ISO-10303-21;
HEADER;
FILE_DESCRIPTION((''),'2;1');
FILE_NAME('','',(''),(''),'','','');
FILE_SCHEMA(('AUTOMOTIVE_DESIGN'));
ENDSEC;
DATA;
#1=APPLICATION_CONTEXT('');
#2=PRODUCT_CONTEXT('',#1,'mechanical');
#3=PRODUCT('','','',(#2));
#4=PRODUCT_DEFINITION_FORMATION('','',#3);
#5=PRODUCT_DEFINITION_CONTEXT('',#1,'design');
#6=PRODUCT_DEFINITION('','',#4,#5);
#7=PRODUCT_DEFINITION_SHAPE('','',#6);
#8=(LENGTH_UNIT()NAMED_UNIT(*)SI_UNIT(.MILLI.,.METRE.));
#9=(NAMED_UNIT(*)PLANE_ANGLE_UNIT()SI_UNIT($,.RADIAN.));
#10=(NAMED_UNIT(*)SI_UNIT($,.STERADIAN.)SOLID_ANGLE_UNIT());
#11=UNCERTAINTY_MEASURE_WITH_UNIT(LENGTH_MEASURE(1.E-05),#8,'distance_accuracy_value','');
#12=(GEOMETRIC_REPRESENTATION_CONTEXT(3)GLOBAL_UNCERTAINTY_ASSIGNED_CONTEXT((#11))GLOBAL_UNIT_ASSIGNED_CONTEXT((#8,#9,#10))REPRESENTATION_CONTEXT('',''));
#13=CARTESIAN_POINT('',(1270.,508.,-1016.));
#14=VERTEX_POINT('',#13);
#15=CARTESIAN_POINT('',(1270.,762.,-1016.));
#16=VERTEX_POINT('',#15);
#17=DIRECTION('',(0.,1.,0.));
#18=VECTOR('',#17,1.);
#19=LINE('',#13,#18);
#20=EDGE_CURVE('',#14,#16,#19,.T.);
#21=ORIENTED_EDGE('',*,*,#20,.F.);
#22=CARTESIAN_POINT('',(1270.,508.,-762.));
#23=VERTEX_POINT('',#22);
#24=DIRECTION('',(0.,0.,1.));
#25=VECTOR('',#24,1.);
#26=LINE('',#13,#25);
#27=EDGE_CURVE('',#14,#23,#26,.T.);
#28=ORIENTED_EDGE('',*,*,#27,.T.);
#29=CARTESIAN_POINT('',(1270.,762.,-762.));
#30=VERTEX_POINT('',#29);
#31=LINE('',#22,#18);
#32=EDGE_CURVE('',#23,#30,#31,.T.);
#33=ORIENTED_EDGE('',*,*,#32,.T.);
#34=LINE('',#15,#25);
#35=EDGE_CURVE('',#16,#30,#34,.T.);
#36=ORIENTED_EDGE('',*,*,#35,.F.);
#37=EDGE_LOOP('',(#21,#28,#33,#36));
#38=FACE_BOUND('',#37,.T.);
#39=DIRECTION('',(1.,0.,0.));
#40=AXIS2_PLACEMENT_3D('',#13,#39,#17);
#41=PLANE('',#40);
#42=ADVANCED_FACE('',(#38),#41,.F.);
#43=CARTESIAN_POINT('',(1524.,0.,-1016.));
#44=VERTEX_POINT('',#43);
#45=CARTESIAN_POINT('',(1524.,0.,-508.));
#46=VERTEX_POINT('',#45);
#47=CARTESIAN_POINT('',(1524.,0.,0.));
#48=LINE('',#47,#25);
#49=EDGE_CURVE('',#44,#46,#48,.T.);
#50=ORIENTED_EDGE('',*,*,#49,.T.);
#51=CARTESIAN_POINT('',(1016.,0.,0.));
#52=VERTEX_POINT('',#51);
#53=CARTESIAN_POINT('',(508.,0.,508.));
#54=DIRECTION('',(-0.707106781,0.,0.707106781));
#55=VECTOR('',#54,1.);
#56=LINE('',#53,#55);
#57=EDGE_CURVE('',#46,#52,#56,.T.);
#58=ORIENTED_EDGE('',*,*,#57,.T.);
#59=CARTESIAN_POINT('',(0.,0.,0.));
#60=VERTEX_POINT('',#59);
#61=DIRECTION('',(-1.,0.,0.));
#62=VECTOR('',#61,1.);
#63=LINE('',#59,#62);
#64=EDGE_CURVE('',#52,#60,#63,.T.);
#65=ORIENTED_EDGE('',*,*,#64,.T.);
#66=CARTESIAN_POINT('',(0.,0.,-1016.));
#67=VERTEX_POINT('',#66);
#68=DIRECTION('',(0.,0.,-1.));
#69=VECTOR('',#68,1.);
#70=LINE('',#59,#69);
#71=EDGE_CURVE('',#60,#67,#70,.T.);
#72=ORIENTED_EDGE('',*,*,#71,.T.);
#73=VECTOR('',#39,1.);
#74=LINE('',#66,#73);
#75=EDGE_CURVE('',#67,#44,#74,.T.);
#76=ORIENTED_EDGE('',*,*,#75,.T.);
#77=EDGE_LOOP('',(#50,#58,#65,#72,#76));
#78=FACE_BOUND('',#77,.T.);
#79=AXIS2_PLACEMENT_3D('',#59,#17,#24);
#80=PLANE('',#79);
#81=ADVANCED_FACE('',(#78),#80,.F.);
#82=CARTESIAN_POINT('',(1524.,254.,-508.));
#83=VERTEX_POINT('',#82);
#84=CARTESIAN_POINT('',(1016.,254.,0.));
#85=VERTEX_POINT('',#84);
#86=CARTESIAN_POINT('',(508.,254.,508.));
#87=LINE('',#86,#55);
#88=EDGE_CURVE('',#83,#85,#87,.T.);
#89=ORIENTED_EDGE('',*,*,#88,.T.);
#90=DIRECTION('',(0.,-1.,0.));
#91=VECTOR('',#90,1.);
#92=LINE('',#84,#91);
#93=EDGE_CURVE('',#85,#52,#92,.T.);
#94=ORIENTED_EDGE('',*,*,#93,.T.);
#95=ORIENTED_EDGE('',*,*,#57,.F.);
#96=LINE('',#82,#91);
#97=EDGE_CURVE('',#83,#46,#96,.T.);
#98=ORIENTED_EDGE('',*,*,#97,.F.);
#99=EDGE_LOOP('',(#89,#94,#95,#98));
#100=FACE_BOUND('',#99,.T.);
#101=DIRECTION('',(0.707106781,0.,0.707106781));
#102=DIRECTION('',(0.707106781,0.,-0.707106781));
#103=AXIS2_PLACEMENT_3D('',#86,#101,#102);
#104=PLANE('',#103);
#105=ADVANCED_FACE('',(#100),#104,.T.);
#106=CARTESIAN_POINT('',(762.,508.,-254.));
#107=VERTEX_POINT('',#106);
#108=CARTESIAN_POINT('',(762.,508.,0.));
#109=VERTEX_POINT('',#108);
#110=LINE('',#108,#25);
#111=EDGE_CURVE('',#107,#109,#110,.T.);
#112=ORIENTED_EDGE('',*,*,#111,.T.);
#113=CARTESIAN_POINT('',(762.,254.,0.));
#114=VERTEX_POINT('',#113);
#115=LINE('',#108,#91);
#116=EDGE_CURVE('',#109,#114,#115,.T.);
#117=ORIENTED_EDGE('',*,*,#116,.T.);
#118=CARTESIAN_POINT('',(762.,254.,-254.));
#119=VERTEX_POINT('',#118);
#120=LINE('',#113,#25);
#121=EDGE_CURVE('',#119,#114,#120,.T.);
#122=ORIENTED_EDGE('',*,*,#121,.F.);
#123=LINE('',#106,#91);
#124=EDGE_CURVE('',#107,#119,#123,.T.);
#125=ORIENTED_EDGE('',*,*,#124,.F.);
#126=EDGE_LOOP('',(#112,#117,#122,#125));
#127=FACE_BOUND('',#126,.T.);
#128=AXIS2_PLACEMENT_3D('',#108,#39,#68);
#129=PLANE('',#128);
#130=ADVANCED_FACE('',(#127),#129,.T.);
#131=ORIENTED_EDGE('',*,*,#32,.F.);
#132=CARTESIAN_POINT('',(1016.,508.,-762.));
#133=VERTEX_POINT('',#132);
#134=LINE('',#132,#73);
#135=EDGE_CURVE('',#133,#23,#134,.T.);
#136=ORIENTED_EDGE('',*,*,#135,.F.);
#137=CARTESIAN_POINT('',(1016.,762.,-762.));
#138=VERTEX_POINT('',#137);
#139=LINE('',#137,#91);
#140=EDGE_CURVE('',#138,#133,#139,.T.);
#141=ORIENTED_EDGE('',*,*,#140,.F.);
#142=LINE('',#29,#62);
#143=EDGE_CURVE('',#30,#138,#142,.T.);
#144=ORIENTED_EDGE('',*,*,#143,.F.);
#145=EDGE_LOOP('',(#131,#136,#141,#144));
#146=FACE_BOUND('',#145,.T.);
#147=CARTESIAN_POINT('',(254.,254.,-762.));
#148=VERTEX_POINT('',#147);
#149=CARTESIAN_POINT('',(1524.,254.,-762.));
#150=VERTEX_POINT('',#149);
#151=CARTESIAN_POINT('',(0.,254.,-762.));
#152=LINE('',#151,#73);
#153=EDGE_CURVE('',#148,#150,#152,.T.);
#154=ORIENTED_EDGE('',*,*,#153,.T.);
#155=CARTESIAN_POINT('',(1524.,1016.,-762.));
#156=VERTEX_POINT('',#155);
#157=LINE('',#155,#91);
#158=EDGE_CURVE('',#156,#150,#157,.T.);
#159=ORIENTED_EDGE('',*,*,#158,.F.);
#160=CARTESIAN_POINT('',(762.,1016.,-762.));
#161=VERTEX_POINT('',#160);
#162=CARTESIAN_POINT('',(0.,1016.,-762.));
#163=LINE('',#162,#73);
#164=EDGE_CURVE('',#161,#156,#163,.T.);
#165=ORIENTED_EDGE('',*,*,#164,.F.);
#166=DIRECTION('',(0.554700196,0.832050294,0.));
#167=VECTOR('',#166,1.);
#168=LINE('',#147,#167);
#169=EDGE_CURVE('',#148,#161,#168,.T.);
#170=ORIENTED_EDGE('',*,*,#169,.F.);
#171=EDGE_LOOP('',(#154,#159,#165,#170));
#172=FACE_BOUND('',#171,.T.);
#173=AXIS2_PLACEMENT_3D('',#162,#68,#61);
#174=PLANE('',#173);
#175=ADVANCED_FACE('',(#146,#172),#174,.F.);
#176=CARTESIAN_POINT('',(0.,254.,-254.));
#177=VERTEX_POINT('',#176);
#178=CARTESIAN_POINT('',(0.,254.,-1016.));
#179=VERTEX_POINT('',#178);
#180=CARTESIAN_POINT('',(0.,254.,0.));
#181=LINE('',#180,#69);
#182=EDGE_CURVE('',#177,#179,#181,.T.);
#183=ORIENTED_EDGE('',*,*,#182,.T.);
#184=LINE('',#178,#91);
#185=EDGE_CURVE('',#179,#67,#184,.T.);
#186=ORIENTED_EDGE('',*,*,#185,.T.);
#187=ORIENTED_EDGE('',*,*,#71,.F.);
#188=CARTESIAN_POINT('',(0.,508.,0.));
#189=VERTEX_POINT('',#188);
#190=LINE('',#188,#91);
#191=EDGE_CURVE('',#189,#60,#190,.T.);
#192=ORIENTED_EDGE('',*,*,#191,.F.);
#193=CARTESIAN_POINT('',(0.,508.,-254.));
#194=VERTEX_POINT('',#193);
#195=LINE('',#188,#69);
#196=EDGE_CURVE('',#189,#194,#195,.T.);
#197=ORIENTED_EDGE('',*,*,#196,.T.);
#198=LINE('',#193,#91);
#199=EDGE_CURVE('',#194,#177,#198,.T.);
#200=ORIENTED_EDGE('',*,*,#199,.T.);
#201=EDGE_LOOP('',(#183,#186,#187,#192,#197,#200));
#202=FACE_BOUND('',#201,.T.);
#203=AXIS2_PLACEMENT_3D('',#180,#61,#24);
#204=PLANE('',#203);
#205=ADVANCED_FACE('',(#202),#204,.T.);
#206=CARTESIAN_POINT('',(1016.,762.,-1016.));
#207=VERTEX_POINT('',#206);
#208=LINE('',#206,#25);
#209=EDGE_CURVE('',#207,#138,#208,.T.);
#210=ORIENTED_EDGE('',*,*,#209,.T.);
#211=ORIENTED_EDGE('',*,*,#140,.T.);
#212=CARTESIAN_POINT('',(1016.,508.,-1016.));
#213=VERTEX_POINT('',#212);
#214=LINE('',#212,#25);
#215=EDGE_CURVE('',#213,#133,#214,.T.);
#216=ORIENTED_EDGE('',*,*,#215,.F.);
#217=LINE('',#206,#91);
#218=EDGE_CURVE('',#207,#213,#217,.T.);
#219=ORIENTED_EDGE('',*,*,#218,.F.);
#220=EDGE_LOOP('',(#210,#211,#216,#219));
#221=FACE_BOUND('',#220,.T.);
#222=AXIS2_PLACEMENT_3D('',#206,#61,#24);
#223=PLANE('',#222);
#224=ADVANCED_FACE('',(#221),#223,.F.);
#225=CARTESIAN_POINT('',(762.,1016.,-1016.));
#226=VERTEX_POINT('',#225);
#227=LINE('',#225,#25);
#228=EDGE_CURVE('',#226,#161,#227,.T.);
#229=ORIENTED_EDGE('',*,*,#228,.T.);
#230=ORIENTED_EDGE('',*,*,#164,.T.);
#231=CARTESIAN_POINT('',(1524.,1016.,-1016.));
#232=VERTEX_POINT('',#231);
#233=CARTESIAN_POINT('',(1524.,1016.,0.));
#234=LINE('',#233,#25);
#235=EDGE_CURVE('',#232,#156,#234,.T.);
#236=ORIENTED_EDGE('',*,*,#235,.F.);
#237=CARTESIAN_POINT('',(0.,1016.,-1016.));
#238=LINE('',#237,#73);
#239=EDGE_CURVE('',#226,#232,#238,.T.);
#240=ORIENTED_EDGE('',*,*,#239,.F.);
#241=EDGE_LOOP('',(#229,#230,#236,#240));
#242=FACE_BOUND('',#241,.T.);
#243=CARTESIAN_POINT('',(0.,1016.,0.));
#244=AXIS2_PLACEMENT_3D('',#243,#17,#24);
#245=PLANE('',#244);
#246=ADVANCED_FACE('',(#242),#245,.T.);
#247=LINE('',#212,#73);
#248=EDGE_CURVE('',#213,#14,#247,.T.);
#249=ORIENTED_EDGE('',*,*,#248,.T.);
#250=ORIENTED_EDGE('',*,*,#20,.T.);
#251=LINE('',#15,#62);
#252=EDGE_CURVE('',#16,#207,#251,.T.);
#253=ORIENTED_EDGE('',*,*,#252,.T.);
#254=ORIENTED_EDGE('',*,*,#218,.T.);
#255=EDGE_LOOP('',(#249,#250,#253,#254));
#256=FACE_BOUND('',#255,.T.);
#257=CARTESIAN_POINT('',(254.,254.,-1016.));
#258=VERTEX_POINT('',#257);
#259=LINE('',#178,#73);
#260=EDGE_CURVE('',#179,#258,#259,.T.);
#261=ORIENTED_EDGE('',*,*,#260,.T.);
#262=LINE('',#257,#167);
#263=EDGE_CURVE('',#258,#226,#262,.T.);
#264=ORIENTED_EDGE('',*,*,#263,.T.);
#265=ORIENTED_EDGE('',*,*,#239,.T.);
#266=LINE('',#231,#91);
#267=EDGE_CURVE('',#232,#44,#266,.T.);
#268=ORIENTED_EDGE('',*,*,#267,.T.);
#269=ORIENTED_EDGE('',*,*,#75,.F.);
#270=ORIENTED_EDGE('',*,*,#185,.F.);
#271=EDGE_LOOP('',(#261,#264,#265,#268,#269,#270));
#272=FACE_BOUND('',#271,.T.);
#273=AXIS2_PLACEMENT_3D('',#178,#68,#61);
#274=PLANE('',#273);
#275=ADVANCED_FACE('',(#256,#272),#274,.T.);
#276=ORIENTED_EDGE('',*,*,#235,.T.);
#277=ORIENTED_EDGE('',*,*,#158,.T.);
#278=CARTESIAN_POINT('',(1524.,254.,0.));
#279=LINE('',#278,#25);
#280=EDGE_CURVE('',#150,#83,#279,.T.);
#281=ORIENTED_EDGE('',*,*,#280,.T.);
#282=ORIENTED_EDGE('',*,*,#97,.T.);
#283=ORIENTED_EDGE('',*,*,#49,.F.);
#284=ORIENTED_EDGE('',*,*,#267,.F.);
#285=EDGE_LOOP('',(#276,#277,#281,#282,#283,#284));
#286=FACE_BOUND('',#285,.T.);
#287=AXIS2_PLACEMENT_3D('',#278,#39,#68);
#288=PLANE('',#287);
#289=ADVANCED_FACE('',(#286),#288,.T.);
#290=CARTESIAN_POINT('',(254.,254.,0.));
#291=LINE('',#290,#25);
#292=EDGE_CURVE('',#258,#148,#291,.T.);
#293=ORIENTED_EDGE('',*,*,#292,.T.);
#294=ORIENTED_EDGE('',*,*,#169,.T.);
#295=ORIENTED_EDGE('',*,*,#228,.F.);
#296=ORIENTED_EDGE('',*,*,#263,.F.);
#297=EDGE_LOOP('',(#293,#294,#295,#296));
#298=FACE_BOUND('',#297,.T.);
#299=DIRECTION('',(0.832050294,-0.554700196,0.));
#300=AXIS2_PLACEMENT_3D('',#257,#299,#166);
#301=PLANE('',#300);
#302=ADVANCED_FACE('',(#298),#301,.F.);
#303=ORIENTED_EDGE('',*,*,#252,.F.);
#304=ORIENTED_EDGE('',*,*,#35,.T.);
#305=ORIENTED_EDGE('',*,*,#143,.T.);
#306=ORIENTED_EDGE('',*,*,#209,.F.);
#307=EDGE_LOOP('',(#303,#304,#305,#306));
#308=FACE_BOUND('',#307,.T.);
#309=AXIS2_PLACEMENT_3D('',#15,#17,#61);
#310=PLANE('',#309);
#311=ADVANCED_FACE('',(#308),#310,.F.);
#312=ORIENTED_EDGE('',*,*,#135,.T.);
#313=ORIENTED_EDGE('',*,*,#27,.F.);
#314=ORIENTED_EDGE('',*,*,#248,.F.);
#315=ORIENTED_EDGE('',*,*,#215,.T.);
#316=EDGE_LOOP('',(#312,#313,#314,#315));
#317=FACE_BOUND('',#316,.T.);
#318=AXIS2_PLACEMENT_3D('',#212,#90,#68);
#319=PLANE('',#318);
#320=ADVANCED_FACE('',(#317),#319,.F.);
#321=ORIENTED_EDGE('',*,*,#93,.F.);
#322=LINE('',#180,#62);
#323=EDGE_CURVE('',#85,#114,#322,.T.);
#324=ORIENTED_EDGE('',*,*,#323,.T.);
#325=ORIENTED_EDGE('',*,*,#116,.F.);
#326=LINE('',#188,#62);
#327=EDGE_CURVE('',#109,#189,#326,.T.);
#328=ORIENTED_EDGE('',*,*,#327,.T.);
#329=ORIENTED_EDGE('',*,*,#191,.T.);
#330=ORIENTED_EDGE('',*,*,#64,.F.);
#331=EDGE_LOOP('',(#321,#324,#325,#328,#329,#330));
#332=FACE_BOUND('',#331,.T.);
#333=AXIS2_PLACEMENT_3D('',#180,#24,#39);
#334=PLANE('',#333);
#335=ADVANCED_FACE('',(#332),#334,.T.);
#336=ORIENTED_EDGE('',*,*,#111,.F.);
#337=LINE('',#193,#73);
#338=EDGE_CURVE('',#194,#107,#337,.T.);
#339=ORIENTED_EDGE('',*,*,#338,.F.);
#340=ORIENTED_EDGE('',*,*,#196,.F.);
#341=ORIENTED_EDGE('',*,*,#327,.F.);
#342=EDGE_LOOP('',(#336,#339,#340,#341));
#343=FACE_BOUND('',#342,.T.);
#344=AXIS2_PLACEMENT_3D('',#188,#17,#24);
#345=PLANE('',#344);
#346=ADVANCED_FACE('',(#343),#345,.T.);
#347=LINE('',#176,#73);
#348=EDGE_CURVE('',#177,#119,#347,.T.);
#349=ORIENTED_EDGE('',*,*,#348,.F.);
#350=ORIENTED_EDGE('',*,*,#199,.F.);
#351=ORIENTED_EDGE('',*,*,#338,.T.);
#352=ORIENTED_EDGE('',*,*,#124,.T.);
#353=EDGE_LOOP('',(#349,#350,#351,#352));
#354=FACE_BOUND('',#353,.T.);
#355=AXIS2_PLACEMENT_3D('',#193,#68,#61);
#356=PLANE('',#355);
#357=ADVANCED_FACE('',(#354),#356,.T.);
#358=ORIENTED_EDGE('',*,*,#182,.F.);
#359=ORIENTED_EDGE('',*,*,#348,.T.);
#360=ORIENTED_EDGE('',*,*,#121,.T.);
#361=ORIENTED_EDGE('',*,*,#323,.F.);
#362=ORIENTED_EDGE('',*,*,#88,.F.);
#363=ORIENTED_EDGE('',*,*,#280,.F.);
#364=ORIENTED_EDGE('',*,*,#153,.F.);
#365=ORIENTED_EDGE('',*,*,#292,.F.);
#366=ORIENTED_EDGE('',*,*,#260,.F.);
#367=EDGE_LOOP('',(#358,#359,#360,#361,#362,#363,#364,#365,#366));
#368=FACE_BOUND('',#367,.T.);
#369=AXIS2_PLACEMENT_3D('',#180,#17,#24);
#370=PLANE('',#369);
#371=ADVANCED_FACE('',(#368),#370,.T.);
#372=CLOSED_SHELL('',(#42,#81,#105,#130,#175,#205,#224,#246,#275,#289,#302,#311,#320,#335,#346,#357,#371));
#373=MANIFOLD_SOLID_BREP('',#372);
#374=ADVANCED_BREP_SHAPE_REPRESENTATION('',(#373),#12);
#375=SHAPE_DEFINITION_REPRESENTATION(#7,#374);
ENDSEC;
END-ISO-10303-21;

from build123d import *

# Parameters (mm, degrees)
BOSS_EXTRUDE1_DEPTH = 254
SKETCH1_3_W         = 762
SKETCH1_3_H         = 254
BOSS_EXTRUDE2_DEPTH = 508
SKETCH1_4_W         = 1270
SKETCH1_4_H         = 254
BOSS_EXTRUDE3_DEPTH = 1016
SKETCH2_W           = 254
SKETCH2_H           = 254
CUT_EXTRUDE1_DEPTH  = 254


with BuildPart() as part:
    # Sketch1 → Boss-Extrude1 (new body)
    with BuildSketch(Plane(origin=(0, 0, 0), x_dir=(1, 0, 0), z_dir=(0, 1, 0))):
        Polygon((0, 1016), (0, 254), (762, 254), (762, 0), (1016, 0), (1524, 508), (1524, 762), (254, 762), (254, 1016), align=None)
    extrude(amount=BOSS_EXTRUDE1_DEPTH)

    # Sketch1<3> → Boss-Extrude2 (add)
    with BuildSketch(Plane(origin=(0, 0, 0), x_dir=(1, 0, 0), z_dir=(0, 1, 0))):
        with Locations((381, 127)):
            Rectangle(SKETCH1_3_W, SKETCH1_3_H)
    extrude(amount=BOSS_EXTRUDE2_DEPTH)

    # Sketch1<4> → Boss-Extrude3 (add)
    with BuildSketch(Plane(origin=(0, 0, 0), x_dir=(1, 0, 0), z_dir=(0, 1, 0))):
        with Locations((889, 889)):
            Rectangle(SKETCH1_4_W, SKETCH1_4_H)
    extrude(amount=BOSS_EXTRUDE3_DEPTH)

    # Sketch2 → Cut-Extrude1 (cut)
    with BuildSketch(Plane.XY.offset(-762)):
        Polygon((254, 254), (762, 1016), (254, 1016), align=None)
        with Locations((1143, 635)):
            Rectangle(SKETCH2_W, SKETCH2_H)
    extrude(amount=-CUT_EXTRUDE1_DEPTH, mode=Mode.SUBTRACT)


solid = part.part
